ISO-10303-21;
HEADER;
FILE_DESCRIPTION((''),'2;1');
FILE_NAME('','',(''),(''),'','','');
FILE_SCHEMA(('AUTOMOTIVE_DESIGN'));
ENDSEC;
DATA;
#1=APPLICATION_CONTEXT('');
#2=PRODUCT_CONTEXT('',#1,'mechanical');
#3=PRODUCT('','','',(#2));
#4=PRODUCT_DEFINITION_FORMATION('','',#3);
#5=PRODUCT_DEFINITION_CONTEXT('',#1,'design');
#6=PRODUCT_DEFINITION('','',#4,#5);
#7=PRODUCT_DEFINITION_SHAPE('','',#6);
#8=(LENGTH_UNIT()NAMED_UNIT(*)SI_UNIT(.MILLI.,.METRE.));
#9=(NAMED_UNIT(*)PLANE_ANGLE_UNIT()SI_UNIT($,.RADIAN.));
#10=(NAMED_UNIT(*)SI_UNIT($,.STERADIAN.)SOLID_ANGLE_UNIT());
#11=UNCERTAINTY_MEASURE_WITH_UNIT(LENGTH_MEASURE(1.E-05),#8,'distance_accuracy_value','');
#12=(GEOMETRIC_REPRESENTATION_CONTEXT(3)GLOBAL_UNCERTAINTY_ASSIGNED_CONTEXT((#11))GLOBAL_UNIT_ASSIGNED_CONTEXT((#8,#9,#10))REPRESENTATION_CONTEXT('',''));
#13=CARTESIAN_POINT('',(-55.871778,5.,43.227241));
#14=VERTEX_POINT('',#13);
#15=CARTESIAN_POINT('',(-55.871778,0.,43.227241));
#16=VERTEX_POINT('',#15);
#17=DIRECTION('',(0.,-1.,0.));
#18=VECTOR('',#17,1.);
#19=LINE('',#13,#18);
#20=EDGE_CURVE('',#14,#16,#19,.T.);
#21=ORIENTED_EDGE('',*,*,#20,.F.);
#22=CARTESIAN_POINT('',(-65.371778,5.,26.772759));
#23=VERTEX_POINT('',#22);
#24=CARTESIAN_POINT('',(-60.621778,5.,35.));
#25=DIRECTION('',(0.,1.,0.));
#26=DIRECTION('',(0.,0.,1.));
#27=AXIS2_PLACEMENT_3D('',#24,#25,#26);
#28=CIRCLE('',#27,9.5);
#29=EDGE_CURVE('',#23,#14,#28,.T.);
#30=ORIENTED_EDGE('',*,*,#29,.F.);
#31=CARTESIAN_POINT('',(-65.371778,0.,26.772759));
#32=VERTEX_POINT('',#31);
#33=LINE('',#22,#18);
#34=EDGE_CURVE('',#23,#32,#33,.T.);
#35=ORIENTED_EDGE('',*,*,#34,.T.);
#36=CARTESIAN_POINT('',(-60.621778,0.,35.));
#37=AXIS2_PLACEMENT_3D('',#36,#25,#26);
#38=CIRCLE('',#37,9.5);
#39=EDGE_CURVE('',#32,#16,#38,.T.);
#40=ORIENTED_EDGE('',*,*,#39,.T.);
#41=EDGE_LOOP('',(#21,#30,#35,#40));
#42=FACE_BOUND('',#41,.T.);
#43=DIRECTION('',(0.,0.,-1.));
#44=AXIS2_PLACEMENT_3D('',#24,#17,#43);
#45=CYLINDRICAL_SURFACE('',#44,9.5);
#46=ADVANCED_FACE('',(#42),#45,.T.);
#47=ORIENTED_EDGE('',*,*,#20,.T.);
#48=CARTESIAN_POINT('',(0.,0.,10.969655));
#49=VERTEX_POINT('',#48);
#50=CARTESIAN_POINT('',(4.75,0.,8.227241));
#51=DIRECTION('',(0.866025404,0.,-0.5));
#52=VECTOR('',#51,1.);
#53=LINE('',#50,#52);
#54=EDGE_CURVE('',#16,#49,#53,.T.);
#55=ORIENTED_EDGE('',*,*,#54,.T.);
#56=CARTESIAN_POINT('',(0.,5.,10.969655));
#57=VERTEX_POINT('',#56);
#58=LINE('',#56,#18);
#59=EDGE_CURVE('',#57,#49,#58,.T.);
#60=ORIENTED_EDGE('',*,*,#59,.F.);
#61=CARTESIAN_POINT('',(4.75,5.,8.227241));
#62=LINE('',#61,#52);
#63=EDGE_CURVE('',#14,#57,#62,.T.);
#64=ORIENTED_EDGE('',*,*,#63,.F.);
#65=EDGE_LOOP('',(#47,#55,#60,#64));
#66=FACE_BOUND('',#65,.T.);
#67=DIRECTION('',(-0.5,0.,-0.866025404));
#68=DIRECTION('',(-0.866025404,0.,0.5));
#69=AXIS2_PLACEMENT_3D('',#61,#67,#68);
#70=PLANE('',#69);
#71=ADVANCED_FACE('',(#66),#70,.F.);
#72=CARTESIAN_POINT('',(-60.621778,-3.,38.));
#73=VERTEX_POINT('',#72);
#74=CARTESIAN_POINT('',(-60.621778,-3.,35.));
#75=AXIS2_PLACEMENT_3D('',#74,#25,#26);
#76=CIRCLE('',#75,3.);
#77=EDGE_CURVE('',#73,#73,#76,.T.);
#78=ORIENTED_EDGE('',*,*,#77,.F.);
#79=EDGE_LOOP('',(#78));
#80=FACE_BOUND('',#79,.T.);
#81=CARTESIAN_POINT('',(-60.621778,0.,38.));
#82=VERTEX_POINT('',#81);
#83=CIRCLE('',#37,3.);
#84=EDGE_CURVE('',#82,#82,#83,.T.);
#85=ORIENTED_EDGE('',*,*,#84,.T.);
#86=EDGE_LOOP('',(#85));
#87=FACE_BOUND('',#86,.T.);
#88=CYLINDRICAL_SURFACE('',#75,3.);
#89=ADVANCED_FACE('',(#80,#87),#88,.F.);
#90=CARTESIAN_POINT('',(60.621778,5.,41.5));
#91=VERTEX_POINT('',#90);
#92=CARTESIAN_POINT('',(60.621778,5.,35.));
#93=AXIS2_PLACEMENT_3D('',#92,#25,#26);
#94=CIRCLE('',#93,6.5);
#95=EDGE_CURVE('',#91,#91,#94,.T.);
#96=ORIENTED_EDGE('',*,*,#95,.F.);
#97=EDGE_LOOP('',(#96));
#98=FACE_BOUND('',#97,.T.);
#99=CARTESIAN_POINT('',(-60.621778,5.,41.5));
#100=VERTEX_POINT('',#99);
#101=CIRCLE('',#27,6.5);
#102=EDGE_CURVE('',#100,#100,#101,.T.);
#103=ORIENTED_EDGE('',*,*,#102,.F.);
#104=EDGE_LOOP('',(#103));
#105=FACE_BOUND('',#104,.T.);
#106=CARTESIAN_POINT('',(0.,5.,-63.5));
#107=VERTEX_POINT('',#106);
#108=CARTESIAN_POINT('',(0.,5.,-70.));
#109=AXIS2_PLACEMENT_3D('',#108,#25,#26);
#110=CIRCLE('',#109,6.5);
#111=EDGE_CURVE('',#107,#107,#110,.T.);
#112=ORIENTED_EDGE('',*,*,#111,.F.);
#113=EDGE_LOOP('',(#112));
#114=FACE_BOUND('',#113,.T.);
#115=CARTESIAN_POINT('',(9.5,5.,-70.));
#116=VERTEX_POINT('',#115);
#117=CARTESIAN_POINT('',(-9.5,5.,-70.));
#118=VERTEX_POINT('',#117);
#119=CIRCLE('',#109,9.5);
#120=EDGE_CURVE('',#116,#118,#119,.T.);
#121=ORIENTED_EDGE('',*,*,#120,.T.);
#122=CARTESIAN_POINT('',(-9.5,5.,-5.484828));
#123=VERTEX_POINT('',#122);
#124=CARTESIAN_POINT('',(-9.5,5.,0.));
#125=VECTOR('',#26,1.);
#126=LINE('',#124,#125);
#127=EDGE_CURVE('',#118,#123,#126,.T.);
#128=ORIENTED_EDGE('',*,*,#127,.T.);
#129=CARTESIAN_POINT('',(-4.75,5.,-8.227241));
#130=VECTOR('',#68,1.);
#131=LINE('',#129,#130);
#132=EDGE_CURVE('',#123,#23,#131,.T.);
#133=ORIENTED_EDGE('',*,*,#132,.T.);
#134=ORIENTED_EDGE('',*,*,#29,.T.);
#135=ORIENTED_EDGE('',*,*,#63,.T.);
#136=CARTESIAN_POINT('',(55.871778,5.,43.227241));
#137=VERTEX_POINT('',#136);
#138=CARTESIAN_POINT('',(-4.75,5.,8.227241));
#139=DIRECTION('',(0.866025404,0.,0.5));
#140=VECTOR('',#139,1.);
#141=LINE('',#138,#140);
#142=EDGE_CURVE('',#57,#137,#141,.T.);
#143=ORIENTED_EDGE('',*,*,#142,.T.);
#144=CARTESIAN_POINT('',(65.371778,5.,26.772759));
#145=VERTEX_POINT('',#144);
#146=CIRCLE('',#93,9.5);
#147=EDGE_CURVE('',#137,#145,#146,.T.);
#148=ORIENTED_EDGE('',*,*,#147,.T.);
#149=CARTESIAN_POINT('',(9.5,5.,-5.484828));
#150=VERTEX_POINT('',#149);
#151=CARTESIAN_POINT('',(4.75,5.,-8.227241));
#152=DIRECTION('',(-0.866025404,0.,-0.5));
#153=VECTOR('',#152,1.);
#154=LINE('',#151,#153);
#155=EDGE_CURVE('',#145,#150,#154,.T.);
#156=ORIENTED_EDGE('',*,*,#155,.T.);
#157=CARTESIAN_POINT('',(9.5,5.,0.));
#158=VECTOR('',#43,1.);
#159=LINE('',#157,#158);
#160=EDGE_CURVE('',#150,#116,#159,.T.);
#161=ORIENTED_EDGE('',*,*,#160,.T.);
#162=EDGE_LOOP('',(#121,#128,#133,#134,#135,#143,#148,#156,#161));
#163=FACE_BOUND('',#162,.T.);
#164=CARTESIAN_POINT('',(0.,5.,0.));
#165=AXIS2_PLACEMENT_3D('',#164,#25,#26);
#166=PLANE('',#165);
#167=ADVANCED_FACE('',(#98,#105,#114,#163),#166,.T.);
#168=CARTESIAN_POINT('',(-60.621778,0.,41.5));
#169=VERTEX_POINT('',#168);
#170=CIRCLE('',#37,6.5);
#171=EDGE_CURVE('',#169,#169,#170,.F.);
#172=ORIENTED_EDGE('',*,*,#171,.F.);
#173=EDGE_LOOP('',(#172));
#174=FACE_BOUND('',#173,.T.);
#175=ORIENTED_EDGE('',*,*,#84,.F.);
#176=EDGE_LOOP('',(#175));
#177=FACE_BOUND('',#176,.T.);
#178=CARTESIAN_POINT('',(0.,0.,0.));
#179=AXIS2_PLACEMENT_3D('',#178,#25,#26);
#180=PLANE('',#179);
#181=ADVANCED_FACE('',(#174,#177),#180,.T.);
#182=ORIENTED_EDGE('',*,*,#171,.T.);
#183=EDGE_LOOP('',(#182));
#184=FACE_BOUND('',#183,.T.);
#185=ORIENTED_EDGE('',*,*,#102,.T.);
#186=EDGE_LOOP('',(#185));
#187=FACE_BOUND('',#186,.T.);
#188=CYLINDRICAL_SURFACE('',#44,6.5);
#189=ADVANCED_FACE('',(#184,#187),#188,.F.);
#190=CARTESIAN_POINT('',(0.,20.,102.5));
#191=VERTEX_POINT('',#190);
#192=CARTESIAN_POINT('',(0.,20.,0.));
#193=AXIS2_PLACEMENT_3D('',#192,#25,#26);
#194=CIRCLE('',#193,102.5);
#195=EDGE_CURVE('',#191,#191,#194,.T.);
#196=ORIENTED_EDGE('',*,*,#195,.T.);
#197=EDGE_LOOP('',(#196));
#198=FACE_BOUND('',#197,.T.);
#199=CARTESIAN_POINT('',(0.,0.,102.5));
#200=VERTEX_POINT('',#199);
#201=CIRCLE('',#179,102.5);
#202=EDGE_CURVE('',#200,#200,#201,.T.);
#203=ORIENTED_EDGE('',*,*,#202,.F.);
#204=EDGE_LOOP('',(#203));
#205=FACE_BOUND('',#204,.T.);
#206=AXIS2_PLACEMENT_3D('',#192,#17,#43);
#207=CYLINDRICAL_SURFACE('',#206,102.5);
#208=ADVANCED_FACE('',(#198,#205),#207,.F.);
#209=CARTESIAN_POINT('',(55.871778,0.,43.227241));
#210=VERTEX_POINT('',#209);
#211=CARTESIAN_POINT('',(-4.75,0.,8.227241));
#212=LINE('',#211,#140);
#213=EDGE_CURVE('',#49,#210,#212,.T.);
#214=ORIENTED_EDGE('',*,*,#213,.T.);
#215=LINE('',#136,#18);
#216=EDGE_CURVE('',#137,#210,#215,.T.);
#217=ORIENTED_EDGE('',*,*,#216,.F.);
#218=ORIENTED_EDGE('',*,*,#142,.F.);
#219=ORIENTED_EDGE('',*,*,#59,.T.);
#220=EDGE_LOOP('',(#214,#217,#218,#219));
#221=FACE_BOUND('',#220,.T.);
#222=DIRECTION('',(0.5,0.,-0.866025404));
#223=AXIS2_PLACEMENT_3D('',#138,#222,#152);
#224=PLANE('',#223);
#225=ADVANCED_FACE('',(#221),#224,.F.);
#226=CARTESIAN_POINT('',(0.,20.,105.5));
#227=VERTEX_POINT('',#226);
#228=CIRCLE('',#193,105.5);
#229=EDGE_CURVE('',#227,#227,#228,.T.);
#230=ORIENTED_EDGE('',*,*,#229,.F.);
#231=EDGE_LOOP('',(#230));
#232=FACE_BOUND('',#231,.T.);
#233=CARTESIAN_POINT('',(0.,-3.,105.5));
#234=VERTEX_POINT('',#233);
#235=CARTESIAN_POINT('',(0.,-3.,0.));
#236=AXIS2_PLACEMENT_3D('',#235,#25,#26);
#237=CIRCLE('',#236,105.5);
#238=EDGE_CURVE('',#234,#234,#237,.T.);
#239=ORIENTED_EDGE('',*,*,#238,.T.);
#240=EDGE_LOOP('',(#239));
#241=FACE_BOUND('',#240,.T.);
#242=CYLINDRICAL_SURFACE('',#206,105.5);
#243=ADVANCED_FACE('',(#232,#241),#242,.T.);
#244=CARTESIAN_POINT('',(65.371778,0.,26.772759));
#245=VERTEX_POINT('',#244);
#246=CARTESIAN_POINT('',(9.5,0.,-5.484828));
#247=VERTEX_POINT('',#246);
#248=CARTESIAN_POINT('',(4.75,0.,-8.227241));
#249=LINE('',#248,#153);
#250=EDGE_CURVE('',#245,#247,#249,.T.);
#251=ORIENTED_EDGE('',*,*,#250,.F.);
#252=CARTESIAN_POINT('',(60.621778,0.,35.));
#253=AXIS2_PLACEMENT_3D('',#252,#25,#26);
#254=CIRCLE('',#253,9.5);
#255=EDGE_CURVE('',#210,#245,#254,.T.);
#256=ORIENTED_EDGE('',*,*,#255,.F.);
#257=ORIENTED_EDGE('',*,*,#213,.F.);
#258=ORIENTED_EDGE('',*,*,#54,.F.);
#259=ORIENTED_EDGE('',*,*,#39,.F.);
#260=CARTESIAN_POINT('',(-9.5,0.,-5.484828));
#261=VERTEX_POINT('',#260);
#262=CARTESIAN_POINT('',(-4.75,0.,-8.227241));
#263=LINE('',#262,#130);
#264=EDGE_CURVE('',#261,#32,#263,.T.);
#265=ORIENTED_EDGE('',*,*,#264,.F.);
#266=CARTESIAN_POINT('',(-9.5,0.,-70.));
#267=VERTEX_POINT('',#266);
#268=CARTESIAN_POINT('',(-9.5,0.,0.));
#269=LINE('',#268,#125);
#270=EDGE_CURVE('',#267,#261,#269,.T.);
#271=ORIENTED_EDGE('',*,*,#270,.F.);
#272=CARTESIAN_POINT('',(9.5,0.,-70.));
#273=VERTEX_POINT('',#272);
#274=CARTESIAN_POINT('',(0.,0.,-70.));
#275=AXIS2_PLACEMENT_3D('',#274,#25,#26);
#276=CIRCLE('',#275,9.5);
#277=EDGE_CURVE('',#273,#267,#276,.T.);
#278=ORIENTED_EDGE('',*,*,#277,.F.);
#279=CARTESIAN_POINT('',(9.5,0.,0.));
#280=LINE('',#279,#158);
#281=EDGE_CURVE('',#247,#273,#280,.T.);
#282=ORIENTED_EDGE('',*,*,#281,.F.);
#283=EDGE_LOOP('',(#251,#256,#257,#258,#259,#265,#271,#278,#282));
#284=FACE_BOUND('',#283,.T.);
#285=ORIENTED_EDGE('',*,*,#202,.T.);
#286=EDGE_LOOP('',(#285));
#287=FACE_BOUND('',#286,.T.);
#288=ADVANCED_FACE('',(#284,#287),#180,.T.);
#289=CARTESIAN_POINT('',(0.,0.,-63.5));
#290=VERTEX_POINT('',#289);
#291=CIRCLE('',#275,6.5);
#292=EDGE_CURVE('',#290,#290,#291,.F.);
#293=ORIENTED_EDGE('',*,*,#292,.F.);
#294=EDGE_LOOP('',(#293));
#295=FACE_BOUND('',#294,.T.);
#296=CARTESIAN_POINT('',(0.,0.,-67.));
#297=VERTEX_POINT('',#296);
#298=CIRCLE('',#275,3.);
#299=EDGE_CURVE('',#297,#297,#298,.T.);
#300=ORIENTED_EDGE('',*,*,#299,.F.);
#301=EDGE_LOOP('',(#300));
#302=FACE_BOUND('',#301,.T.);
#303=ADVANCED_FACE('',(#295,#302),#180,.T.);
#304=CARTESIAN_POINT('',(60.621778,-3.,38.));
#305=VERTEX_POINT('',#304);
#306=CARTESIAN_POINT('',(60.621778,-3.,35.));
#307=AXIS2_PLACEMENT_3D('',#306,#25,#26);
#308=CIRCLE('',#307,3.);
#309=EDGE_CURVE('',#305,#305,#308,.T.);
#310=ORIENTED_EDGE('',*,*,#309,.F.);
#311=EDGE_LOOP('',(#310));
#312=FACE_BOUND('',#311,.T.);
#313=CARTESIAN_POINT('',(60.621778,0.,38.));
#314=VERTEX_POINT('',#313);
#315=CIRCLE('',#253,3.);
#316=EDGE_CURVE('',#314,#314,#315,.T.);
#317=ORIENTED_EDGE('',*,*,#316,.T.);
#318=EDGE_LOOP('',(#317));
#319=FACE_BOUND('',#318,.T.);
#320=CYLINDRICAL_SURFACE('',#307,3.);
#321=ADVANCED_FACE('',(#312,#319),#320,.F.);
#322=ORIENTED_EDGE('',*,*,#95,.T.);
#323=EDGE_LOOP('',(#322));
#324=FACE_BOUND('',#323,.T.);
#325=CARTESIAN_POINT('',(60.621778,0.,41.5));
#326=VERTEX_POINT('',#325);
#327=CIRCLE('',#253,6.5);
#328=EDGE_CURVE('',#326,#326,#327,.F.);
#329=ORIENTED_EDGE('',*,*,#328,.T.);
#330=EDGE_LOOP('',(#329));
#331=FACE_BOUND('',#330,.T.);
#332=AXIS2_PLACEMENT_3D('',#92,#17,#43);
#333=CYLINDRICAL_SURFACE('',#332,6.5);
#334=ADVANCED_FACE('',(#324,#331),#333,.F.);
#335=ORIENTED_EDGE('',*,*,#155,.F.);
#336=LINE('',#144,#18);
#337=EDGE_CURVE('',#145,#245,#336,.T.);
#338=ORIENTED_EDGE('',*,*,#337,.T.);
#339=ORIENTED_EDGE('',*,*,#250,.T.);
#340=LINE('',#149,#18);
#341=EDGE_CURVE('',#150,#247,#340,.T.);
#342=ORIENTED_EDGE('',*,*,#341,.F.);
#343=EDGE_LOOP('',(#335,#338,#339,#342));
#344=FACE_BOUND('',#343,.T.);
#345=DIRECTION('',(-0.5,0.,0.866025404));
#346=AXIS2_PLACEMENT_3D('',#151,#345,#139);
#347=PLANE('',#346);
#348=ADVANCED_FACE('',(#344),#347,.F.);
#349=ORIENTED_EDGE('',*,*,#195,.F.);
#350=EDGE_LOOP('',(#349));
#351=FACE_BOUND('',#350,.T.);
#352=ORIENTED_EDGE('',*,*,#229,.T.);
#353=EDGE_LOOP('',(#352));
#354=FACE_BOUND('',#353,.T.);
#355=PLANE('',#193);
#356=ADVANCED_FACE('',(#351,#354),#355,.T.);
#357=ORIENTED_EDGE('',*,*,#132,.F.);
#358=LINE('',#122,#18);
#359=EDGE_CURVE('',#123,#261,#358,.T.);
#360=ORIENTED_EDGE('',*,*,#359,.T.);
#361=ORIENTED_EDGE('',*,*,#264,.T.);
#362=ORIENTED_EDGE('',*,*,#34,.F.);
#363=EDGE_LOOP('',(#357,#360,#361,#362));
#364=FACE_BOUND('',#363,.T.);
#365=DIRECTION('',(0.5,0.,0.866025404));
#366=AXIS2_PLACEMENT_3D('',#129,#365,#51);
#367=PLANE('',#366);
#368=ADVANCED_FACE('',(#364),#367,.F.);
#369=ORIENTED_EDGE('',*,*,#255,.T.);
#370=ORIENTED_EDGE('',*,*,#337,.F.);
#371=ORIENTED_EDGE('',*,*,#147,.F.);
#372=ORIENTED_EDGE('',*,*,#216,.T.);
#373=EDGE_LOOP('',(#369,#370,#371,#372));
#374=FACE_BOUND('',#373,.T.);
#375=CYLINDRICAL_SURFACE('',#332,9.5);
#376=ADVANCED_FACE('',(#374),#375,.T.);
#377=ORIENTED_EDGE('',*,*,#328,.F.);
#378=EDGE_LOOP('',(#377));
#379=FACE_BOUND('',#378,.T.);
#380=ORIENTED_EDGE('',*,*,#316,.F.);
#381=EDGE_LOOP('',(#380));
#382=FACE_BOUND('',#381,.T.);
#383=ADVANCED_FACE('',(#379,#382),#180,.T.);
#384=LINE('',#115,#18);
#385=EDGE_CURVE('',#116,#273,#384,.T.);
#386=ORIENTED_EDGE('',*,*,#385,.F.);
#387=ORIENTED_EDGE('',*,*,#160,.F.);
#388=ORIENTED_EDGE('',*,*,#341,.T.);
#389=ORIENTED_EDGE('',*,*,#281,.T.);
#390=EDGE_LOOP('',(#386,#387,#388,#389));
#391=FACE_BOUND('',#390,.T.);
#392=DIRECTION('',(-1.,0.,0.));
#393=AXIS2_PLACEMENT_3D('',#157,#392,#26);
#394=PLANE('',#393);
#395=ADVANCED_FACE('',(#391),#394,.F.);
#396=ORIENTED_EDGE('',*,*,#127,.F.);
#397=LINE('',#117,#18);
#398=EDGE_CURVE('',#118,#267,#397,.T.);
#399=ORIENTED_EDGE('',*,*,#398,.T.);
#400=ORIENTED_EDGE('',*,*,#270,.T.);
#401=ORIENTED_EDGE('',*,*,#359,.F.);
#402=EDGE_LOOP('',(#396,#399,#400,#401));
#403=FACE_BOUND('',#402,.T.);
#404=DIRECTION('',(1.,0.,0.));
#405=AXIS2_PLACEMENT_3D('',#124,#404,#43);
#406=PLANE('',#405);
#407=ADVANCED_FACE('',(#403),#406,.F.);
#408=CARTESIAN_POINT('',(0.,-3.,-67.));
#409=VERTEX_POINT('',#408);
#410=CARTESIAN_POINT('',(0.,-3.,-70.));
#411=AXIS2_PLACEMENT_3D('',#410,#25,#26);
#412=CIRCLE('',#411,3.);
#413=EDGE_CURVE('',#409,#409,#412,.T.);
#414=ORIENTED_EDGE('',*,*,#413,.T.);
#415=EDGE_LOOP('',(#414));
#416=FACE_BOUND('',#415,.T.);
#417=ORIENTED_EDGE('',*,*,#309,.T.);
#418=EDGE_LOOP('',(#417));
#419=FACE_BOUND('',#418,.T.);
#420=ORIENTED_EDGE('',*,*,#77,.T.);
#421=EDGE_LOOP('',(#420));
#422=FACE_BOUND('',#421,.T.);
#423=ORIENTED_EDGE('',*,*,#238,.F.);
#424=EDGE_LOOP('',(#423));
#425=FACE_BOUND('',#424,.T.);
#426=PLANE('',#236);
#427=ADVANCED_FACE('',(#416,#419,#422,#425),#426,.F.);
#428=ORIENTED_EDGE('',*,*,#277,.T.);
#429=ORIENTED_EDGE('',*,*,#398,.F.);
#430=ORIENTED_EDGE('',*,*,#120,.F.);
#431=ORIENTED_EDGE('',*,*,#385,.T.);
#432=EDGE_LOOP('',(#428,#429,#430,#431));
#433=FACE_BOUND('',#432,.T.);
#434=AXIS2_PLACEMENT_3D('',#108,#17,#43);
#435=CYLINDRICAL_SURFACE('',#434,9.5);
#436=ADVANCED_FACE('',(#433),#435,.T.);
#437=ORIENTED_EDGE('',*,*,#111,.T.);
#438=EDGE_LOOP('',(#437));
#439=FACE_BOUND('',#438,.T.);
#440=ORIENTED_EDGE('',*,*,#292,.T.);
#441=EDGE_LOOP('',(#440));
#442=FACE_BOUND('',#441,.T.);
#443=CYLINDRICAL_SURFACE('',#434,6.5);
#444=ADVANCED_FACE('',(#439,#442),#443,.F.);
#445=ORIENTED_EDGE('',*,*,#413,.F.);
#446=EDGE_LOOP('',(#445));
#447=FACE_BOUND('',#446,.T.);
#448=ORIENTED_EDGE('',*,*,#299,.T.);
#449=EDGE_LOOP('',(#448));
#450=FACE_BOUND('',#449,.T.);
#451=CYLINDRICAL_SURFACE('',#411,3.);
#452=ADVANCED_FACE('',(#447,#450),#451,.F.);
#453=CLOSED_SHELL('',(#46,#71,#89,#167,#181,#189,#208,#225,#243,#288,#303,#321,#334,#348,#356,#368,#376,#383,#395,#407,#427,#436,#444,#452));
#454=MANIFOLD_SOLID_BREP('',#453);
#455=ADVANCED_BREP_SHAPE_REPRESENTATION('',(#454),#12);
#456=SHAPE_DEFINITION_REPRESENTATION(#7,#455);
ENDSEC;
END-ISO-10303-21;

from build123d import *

# Parameters (mm, degrees)
SKETCH1_R               = 102.5
BOSS_EXTRUDE2_DEPTH     = 20
SHELL3_T                = 3
SKETCH3_R               = 6.5
BOSS_EXTRUDE8_DEPTH     = 5
SKETCH5_R               = 3
CUT_EXTRUDE2_DEPTH      = 151.534049304
CUT_EXTRUDE2_DEPTH_BACK = 151.534049304


with BuildPart() as part:
    # Sketch1 → Boss-Extrude2 (new body)
    with BuildSketch(Plane(origin=(0, 0, 0), x_dir=(1, 0, 0), z_dir=(0, 1, 0))):
        with Locations(Location((0, 0, 0), (0, 0, 270))):
            Circle(SKETCH1_R)
    extrude(amount=BOSS_EXTRUDE2_DEPTH)

    # Shell3
    shell3_openings = [part.faces().sort_by_distance(p)[0] for p in [
        (0, 20, 0),
    ]]
    offset(amount=SHELL3_T, openings=shell3_openings, kind=Kind.INTERSECTION)

    # Sketch3 → Boss-Extrude8 (add)
    with BuildSketch(Plane(origin=(0, 0, 0), x_dir=(1, 0, 0), z_dir=(0, 1, 0))):
        with BuildLine():
            ThreePointArc((9.5, 70), (0, 79.5), (-9.5, 70))
            Line((-9.5, 70), (-9.5, 5.484827557))
            Line((-9.5, 5.484827557), (-65.371778265, -26.772758664))
            ThreePointArc((-65.371778265, -26.772758664), (-68.849019601, -39.75), (-55.871778265, -43.227241336))
            Line((-55.871778265, -43.227241336), (0, -10.969655115))
            Line((0, -10.969655115), (55.871778265, -43.227241336))
            ThreePointArc((55.871778265, -43.227241336), (68.849019601, -39.75), (65.371778265, -26.772758664))
            Line((65.371778265, -26.772758664), (9.5, 5.484827557))
            Line((9.5, 5.484827557), (9.5, 70))
        make_face()
        with Locations(Location((-60.621778265, -35, 0), (0, 0, 270))):
            Circle(SKETCH3_R, mode=Mode.SUBTRACT)
        with Locations(Location((60.621778265, -35, 0), (0, 0, 270))):
            Circle(SKETCH3_R, mode=Mode.SUBTRACT)
        with Locations(Location((0, 70, 0), (0, 0, 270))):
            Circle(SKETCH3_R, mode=Mode.SUBTRACT)
    extrude(amount=BOSS_EXTRUDE8_DEPTH)

    # Sketch5 → Cut-Extrude2 (cut, two sides)
    with BuildSketch(Plane(origin=(0, 0, 0), x_dir=(1, 0, 0), z_dir=(0, 1, 0))) as cut_extrude2_sk:
        with Locations(Location((0, 70, 0), (0, 0, 270))):
            Circle(SKETCH5_R)
        with Locations(Location((60.621778265, -35, 0), (0, 0, 270))):
            Circle(SKETCH5_R)
        with Locations(Location((-60.621778265, -35, 0), (0, 0, 270))):
            Circle(SKETCH5_R)
    extrude(amount=CUT_EXTRUDE2_DEPTH, mode=Mode.SUBTRACT)
    extrude(cut_extrude2_sk.sketch, amount=-CUT_EXTRUDE2_DEPTH_BACK, mode=Mode.SUBTRACT)


solid = part.part
